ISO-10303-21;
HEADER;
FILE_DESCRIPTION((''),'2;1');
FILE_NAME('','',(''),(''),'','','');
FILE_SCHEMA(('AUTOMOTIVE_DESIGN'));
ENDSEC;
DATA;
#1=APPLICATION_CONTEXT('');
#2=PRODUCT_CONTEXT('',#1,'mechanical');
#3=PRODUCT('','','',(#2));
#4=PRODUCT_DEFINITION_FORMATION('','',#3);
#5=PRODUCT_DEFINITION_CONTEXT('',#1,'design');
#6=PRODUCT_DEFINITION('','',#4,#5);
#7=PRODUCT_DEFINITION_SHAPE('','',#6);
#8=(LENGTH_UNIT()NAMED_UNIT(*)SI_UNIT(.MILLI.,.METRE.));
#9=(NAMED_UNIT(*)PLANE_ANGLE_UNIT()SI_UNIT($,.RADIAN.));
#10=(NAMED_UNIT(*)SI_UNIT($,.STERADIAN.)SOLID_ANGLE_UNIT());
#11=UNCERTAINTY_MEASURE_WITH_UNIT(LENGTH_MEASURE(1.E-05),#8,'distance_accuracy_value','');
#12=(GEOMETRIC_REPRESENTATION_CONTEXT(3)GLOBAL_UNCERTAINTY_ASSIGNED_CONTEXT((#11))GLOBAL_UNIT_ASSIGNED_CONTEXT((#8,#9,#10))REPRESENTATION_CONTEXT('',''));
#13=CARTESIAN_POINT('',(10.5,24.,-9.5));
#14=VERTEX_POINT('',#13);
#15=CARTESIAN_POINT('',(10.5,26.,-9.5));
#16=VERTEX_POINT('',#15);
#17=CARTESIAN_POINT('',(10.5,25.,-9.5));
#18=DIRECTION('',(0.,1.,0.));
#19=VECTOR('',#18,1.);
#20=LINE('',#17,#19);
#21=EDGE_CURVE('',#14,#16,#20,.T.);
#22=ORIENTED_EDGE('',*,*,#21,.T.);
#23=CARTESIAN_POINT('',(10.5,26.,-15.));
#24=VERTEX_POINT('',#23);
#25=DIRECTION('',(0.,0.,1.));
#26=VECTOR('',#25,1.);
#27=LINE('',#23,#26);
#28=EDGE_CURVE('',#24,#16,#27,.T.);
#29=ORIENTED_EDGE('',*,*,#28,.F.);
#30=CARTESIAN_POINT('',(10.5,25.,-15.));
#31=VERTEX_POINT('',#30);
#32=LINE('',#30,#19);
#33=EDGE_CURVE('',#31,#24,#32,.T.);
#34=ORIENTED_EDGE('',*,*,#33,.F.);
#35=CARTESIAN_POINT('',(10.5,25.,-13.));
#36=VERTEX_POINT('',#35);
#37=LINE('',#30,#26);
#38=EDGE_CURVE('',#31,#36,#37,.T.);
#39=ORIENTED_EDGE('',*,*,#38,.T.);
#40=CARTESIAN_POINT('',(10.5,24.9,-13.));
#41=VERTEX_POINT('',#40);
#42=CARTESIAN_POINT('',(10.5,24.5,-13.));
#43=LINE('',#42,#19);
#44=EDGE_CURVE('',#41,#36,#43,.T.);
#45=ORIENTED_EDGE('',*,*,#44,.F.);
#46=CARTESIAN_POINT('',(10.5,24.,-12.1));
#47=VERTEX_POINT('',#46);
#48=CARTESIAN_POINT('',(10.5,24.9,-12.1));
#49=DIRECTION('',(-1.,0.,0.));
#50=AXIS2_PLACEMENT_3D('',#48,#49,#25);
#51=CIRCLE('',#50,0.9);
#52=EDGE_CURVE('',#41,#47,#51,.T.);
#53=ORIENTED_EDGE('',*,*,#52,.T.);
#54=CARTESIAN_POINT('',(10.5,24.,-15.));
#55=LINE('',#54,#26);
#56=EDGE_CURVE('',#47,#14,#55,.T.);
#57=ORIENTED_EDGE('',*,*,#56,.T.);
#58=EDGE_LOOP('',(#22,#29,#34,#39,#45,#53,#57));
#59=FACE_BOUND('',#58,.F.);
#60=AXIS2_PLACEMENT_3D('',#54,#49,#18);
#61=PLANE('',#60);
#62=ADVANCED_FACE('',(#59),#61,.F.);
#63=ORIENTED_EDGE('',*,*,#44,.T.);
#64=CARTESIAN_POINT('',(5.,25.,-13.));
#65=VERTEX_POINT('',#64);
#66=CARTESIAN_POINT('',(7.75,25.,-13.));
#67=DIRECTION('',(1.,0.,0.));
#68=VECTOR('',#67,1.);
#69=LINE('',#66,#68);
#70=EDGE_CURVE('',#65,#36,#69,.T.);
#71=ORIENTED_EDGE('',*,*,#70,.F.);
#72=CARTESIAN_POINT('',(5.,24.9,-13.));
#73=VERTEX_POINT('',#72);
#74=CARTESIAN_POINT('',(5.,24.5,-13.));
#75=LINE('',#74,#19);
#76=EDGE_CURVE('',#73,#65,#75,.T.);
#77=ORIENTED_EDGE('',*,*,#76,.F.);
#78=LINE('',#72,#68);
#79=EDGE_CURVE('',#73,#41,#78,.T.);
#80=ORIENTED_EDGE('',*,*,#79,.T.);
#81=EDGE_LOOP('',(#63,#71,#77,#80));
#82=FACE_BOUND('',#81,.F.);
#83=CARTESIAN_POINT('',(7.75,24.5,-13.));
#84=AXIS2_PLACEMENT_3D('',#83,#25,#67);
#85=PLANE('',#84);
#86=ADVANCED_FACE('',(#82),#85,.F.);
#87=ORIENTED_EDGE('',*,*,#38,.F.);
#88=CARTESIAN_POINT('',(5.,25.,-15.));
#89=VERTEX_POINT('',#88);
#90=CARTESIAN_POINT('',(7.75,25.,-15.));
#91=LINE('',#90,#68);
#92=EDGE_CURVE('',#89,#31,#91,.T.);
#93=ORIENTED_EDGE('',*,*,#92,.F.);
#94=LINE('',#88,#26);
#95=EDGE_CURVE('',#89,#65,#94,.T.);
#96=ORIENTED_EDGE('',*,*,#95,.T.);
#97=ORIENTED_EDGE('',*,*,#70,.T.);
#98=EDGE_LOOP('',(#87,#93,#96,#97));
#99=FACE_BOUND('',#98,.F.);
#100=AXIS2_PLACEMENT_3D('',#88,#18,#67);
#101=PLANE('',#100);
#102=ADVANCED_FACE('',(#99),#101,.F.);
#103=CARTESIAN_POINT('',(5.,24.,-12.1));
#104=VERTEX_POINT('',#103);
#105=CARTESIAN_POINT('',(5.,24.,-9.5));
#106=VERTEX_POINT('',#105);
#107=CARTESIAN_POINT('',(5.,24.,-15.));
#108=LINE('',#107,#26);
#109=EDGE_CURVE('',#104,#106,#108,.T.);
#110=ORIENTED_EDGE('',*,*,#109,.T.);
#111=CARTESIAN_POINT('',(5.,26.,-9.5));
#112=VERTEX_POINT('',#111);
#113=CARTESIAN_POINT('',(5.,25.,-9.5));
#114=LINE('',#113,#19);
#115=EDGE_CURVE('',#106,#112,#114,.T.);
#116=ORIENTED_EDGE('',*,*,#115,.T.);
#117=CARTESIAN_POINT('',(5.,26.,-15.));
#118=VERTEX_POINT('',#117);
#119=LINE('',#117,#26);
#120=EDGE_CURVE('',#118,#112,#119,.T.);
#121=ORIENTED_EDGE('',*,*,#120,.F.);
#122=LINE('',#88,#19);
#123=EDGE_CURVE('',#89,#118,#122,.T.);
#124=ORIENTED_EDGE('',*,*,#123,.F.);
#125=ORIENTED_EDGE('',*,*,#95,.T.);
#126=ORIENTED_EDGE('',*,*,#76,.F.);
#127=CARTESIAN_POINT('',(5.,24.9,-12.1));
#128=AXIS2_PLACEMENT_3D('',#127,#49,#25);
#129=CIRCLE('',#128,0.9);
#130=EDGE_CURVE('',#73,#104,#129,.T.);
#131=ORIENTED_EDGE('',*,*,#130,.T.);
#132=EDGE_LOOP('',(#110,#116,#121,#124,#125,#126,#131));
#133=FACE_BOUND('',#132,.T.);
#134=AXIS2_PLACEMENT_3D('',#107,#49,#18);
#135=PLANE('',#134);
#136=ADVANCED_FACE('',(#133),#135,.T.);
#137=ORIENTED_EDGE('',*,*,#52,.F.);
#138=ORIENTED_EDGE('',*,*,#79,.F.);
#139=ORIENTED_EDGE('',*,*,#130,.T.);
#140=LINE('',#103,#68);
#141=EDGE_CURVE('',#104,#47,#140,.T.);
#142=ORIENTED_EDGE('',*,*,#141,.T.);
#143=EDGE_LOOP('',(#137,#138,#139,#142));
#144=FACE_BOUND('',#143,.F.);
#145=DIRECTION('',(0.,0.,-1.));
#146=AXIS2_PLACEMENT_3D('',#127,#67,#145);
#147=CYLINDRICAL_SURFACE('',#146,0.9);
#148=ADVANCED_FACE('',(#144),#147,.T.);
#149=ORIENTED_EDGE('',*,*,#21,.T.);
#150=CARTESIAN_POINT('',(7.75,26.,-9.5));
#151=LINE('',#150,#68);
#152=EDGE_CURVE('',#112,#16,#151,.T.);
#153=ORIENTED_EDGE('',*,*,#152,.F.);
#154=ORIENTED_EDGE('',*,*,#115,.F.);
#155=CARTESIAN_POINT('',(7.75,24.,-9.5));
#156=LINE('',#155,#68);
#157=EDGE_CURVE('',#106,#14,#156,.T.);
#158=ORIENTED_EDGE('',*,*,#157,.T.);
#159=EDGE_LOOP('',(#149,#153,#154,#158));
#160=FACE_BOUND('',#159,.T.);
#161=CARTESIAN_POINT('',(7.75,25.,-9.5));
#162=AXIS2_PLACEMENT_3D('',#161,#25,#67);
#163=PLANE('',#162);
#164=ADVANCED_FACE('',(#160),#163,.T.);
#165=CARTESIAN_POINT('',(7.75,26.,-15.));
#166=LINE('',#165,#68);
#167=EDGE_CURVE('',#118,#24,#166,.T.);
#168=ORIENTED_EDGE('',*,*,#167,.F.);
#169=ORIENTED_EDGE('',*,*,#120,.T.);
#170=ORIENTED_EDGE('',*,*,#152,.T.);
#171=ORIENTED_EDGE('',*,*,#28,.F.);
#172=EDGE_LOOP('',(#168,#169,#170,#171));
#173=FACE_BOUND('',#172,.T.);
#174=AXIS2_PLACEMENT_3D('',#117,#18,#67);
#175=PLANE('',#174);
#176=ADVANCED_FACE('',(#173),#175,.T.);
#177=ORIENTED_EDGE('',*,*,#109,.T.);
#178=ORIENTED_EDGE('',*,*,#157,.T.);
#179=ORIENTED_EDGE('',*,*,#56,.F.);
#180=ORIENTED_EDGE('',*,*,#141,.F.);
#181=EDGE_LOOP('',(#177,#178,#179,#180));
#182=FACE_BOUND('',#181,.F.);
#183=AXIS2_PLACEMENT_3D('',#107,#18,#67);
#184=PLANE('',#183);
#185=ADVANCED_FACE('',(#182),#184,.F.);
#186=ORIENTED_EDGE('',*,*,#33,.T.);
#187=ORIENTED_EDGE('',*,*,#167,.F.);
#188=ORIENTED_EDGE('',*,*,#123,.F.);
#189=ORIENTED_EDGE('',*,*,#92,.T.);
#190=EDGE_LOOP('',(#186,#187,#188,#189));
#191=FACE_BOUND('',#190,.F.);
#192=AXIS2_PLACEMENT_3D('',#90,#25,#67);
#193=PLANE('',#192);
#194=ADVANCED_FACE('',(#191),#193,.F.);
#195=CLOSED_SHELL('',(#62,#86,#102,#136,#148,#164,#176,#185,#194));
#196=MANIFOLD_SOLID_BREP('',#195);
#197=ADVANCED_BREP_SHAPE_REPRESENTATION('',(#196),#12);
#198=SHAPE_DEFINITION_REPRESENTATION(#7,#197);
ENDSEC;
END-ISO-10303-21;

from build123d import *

# Parameters (mm, degrees)
BOX017_W     = 5.5
BOX017_H     = 1
BOX017_DEPTH = 2
BOX016_W     = 5.5
BOX016_H     = 2
BOX016_DEPTH = 5.5
FILLET002_R  = 0.9


with BuildPart() as button_1_cut:
    # Box017 → Box017 (new body)
    with BuildSketch(Plane(origin=(5, 24, -15), x_dir=(1, 0, 0), z_dir=(0, 0, 1))):
        with Locations((2.75, 0.5)):
            Rectangle(BOX017_W, BOX017_H)
    extrude(amount=BOX017_DEPTH)


with BuildPart() as fillet002:
    # Box016 → Box016 (new body)
    with BuildSketch(Plane(origin=(5, 24, -15), x_dir=(1, 0, 0), z_dir=(0, 0, 1))):
        with Locations((2.75, 1)):
            Rectangle(BOX016_W, BOX016_H)
    extrude(amount=BOX016_DEPTH)

    # Cut: cut Button 1 Cut
    add(button_1_cut.part, mode=Mode.SUBTRACT)

    # Fillet002
    fillet002_edges = [fillet002.edges().sort_by_distance(p)[0] for p in [
        (7.75, 24, -13),
    ]]
    fillet(fillet002_edges, radius=FILLET002_R)


solid = fillet002.part
